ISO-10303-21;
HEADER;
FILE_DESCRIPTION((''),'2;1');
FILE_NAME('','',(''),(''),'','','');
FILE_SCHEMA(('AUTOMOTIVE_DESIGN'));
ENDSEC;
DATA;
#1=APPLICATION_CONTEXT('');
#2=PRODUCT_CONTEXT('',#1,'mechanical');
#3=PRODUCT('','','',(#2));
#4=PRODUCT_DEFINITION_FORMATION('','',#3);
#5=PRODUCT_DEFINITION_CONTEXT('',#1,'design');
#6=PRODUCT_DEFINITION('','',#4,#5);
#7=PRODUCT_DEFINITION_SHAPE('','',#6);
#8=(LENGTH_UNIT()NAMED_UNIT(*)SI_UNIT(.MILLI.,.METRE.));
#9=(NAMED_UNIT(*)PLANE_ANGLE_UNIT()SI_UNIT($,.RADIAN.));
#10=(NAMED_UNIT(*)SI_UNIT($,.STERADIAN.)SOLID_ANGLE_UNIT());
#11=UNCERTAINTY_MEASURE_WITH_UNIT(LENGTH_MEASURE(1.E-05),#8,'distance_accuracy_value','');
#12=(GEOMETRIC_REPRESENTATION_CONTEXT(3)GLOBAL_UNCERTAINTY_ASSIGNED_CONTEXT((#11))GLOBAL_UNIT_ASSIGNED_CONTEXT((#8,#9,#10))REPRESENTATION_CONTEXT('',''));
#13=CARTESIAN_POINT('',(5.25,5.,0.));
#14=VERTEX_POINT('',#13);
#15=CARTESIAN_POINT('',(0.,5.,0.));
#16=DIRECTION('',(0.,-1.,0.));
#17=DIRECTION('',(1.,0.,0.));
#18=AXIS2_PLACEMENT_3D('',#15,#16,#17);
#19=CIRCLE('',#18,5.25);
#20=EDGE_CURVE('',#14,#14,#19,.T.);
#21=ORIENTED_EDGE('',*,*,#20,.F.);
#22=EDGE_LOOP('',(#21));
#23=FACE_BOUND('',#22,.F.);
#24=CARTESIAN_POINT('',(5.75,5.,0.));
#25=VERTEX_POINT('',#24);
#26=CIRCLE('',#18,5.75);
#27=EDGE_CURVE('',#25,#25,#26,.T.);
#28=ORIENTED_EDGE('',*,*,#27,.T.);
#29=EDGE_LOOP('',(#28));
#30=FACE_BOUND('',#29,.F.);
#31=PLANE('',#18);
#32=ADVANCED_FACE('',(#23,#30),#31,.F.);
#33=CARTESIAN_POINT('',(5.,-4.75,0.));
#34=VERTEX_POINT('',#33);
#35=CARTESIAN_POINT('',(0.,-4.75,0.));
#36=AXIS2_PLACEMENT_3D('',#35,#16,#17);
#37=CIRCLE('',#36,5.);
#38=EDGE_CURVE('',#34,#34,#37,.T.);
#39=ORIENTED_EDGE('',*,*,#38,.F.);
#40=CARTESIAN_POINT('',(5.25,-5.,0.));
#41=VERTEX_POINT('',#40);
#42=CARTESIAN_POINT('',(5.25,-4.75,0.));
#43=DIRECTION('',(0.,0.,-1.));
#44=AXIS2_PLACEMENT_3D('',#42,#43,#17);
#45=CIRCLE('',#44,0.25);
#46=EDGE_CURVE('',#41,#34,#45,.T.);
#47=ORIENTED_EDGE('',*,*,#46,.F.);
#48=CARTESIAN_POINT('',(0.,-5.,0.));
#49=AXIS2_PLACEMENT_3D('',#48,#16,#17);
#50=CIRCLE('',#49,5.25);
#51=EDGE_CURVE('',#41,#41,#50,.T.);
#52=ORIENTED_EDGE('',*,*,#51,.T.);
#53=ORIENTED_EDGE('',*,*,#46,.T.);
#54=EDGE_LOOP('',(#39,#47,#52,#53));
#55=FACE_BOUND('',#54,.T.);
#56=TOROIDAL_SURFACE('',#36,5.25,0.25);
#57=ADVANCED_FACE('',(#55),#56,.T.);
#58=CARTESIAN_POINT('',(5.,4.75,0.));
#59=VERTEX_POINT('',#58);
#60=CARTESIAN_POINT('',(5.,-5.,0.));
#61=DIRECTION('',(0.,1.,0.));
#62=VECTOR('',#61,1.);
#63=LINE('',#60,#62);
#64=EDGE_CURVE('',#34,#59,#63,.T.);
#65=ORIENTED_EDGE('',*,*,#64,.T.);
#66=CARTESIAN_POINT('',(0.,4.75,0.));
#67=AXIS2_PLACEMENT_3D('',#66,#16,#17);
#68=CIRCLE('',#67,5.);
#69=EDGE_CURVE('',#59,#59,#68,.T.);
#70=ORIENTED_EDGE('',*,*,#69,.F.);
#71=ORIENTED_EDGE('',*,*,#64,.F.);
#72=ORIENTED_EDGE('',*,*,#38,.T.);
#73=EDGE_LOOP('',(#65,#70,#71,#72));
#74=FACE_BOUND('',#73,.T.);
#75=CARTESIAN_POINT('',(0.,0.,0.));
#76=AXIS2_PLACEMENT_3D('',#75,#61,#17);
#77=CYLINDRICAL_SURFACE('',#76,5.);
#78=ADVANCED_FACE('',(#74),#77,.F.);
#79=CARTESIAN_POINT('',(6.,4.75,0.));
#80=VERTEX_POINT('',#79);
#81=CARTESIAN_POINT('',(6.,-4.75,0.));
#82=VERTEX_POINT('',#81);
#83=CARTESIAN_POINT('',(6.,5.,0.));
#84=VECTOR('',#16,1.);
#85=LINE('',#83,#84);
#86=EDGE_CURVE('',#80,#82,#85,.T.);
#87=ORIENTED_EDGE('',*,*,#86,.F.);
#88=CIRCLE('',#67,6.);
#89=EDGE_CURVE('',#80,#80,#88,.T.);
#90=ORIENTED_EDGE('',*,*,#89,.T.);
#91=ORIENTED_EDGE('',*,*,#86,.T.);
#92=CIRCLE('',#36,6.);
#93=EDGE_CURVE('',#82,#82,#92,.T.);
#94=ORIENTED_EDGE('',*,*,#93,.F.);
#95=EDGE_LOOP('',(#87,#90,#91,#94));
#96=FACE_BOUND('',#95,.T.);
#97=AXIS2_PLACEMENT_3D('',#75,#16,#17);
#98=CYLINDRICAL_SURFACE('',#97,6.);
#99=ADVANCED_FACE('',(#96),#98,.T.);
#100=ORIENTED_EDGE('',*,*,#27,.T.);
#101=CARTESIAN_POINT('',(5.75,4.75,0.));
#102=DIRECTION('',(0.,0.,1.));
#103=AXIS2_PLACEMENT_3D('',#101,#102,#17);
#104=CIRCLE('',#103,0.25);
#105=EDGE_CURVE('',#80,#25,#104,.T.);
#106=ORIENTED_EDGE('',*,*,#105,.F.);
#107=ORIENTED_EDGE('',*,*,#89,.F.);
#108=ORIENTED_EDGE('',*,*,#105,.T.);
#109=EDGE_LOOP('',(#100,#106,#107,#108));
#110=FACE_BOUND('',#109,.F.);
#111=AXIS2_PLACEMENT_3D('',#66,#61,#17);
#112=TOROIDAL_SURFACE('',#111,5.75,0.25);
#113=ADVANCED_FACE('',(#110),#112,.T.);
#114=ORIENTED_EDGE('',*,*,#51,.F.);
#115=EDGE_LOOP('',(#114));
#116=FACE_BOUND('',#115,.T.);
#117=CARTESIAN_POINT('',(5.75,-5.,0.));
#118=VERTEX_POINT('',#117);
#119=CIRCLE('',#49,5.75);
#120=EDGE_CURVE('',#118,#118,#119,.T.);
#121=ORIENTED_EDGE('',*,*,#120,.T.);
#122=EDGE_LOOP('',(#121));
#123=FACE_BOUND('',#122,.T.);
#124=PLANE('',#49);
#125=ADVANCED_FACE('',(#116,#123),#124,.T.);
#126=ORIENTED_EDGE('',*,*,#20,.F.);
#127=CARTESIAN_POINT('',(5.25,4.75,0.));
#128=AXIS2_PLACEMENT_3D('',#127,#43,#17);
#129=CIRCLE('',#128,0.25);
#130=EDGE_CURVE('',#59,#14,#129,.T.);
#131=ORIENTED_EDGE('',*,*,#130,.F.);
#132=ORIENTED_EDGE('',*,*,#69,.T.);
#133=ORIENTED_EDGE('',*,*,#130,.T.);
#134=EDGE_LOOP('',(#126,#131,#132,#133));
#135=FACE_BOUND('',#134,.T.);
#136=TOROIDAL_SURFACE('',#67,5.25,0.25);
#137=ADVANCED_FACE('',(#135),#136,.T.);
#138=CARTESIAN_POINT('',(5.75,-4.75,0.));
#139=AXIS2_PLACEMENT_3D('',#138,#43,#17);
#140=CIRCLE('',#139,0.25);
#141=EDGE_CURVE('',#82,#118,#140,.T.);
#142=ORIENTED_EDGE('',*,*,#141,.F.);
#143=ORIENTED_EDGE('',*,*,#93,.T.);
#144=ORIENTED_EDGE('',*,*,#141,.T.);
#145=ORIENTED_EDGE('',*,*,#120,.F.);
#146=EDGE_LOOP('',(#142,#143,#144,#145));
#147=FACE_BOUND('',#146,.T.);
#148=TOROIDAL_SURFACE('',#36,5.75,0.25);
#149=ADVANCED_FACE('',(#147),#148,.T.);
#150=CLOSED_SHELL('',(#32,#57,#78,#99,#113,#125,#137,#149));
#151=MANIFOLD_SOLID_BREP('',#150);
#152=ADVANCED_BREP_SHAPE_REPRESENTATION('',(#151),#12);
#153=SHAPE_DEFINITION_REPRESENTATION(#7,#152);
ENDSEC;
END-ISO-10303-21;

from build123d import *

# Parameters (mm, degrees)
F0_R     = 6
F0_R_2   = 5
F1_DEPTH = 5
F2_R     = 0.25


with BuildPart() as f1:
    # F0 (on Front) → F1 (new body, symmetric)
    with BuildSketch(Plane.XZ):
        Circle(F0_R)
        Circle(F0_R_2, mode=Mode.SUBTRACT)
    extrude(amount=F1_DEPTH, both=True)

    # F2
    f2_edges = [f1.edges().sort_by_distance(p)[0] for p in [
        (-6, -5, 0),
        (-5, -5, 0),
        (-6, 5, 0),
        (-5, 5, 0),
    ]]
    fillet(f2_edges, radius=F2_R)


solid = f1.part
